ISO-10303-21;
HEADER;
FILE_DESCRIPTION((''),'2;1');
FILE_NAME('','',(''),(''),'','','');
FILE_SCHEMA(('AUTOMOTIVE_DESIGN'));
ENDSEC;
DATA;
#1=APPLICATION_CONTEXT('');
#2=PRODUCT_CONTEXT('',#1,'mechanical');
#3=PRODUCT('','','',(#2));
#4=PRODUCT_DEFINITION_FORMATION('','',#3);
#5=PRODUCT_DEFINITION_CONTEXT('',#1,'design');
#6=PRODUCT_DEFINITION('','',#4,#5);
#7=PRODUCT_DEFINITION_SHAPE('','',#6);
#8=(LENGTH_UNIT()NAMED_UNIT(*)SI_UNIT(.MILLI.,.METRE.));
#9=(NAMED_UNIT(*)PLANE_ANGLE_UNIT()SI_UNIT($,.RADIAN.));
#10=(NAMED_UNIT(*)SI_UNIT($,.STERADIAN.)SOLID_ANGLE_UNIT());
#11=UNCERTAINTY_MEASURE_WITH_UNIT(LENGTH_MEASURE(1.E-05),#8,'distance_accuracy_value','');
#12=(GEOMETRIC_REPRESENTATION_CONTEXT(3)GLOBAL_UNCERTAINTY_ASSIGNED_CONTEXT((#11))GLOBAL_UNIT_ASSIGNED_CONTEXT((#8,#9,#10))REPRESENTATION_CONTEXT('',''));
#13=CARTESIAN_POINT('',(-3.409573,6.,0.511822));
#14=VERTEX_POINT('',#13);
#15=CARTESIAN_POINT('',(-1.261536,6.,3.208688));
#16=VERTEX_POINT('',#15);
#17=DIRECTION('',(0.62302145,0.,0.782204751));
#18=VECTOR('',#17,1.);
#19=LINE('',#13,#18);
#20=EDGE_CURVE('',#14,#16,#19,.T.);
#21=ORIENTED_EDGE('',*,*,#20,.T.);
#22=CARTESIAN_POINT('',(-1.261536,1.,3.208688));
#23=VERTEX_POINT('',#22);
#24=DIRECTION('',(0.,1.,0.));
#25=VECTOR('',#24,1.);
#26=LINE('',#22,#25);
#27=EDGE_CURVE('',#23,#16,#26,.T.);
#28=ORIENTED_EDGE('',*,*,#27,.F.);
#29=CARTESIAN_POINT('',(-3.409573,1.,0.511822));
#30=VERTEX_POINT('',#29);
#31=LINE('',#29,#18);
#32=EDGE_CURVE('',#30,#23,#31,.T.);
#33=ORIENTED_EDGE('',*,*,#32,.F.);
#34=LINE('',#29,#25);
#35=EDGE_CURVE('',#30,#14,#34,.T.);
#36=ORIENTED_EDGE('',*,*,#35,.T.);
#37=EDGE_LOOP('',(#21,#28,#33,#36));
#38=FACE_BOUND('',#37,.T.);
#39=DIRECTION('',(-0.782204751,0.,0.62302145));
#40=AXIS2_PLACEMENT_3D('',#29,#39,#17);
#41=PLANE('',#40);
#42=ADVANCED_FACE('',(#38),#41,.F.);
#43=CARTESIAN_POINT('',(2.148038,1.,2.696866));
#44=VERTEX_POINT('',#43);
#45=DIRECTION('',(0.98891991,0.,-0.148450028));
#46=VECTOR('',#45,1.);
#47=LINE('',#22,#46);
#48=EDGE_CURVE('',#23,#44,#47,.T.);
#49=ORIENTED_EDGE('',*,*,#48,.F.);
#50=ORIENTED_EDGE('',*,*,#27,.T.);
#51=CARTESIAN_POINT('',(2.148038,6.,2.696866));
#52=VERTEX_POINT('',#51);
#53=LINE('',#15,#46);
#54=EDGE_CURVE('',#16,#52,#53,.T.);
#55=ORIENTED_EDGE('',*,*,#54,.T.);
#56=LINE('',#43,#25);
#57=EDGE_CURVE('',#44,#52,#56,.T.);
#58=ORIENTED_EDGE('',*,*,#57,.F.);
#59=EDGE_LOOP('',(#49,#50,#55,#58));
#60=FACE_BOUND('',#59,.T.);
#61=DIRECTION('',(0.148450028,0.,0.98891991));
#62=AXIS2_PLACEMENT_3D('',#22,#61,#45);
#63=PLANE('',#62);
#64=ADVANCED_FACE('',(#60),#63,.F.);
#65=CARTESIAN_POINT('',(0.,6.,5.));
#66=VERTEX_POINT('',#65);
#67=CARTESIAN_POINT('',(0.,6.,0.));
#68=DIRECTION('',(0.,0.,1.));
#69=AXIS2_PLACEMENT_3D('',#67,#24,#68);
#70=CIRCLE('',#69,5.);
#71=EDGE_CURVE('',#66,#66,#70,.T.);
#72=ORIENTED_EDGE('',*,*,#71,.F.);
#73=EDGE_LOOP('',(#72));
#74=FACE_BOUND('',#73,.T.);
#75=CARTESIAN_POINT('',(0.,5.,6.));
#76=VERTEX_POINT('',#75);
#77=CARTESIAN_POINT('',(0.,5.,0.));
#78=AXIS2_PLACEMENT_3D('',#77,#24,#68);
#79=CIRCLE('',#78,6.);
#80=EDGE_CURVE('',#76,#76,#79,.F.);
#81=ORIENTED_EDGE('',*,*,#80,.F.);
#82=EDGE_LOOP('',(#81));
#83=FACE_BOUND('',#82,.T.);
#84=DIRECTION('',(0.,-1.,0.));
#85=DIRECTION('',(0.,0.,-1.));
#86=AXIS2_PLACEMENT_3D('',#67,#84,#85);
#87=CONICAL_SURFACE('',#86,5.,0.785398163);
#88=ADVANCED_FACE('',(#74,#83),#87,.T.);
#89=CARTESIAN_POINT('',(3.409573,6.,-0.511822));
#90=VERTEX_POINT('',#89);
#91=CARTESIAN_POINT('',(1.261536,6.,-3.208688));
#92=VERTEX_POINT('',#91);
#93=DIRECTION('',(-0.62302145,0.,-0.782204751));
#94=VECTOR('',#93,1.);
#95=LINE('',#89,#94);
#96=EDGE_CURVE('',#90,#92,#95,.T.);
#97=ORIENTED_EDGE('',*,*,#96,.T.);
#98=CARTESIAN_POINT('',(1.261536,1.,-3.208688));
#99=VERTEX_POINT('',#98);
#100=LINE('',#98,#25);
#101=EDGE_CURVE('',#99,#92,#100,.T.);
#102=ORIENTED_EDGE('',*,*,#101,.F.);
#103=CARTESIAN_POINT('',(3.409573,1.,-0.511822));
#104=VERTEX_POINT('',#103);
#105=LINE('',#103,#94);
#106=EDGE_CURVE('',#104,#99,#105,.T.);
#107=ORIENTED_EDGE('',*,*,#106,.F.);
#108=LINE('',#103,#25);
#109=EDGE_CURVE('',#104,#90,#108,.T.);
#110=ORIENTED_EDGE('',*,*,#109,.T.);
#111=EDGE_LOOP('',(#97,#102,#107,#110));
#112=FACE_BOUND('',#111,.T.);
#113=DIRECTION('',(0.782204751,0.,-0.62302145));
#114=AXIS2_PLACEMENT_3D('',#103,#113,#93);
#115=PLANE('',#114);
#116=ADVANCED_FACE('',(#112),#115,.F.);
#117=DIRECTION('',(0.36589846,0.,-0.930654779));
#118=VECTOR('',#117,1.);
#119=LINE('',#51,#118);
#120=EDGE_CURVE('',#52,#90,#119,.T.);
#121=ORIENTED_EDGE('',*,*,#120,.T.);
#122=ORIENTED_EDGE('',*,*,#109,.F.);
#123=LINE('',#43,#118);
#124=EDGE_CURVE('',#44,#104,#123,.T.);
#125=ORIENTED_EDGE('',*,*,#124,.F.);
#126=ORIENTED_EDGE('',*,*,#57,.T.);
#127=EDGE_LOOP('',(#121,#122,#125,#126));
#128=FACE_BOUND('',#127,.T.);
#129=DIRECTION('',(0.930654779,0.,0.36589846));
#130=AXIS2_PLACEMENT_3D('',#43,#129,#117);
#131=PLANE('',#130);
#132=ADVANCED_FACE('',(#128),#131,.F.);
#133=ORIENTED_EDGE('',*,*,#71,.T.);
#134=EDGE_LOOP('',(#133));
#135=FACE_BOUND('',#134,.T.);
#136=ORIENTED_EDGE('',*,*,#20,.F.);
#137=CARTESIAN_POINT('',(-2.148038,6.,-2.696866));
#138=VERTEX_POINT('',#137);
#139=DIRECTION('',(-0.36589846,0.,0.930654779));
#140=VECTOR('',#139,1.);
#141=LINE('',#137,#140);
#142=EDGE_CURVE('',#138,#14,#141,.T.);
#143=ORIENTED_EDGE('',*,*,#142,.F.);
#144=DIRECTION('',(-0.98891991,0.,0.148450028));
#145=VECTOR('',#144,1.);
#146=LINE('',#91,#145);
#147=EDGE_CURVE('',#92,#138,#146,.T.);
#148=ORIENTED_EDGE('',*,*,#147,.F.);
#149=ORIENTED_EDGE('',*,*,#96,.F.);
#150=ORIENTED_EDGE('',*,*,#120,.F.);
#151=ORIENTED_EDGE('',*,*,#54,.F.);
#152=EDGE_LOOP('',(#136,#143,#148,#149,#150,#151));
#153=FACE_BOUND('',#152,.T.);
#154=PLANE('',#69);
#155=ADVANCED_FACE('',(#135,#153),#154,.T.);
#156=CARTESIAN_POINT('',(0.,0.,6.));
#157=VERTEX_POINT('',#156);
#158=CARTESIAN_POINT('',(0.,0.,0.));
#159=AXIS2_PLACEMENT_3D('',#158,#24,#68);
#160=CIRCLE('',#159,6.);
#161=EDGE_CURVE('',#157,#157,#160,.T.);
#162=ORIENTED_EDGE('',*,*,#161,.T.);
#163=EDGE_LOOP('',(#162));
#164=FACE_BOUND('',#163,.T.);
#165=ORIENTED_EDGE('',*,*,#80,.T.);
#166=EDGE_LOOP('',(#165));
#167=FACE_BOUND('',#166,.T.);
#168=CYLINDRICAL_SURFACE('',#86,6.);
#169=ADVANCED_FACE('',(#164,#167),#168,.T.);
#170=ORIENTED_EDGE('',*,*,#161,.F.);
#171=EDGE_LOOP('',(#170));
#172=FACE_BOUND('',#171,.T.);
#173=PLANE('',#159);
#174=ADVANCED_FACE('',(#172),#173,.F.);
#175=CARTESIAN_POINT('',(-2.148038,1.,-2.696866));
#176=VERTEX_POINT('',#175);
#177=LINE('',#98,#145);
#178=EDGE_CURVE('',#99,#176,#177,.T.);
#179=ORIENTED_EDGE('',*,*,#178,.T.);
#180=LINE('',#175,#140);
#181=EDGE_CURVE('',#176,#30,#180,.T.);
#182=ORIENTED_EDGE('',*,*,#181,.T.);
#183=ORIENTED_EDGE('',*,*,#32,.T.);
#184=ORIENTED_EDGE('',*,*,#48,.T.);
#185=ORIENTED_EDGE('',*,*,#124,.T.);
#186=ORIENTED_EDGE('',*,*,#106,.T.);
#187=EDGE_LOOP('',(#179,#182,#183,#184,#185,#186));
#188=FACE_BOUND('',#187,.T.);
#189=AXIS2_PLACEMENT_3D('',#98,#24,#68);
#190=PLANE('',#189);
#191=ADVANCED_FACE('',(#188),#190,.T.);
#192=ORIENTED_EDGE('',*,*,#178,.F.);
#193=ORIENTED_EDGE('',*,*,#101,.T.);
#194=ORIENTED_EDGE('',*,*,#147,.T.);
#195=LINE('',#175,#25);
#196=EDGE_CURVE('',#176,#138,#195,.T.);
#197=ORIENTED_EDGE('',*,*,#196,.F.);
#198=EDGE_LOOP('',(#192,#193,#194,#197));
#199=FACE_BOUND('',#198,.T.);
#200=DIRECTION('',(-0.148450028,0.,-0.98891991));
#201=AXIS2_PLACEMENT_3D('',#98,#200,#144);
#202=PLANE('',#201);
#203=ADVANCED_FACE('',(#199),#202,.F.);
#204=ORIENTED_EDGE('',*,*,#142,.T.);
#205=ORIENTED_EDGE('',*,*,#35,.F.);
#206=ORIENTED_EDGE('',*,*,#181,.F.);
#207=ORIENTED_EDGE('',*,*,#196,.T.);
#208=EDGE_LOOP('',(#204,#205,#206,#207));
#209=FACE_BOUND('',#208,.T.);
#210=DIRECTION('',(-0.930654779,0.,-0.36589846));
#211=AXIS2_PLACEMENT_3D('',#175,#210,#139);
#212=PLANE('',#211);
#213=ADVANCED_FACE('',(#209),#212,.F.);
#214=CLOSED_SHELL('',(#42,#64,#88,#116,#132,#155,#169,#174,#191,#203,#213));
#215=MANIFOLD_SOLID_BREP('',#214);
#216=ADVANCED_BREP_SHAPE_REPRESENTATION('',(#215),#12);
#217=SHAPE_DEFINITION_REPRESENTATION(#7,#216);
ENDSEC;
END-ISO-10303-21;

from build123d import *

# Parameters (mm, degrees)
SKETCH_1_R          = 6
EXTRUDE_1_DEPTH     = 6
CUT_EXTRUDE_1_DEPTH = 5
CHAMFER_1_SIZE      = 1


with BuildPart() as part:
    # 草图1 → 凸台-拉伸1 (new body)
    with BuildSketch(Plane(origin=(0, 0, 0), x_dir=(1, 0, 0), z_dir=(0, 1, 0))):
        with Locations(Location((0, 0, 0), (0, 0, 270))):
            Circle(SKETCH_1_R)
    extrude(amount=EXTRUDE_1_DEPTH)

    # 草图2 → 切除-拉伸1 (cut)
    with BuildSketch(Plane(origin=(0, 6, 0), x_dir=(1, 0, 0), z_dir=(0, 1, 0))):
        Polygon((1.261535508, 3.20868814), (-2.148037688, 2.696865868), (-3.409573196, -0.511822272), (-1.261535508, -3.20868814), (2.148037688, -2.696865868), (3.409573196, 0.511822272), align=None)
    extrude(amount=-CUT_EXTRUDE_1_DEPTH, mode=Mode.SUBTRACT)

    # 倒角1
    chamfer_1_edges = [part.edges().sort_by_distance(p)[0] for p in [
        (0, 6, -6),
    ]]
    chamfer(chamfer_1_edges, length=CHAMFER_1_SIZE)


solid = part.part
